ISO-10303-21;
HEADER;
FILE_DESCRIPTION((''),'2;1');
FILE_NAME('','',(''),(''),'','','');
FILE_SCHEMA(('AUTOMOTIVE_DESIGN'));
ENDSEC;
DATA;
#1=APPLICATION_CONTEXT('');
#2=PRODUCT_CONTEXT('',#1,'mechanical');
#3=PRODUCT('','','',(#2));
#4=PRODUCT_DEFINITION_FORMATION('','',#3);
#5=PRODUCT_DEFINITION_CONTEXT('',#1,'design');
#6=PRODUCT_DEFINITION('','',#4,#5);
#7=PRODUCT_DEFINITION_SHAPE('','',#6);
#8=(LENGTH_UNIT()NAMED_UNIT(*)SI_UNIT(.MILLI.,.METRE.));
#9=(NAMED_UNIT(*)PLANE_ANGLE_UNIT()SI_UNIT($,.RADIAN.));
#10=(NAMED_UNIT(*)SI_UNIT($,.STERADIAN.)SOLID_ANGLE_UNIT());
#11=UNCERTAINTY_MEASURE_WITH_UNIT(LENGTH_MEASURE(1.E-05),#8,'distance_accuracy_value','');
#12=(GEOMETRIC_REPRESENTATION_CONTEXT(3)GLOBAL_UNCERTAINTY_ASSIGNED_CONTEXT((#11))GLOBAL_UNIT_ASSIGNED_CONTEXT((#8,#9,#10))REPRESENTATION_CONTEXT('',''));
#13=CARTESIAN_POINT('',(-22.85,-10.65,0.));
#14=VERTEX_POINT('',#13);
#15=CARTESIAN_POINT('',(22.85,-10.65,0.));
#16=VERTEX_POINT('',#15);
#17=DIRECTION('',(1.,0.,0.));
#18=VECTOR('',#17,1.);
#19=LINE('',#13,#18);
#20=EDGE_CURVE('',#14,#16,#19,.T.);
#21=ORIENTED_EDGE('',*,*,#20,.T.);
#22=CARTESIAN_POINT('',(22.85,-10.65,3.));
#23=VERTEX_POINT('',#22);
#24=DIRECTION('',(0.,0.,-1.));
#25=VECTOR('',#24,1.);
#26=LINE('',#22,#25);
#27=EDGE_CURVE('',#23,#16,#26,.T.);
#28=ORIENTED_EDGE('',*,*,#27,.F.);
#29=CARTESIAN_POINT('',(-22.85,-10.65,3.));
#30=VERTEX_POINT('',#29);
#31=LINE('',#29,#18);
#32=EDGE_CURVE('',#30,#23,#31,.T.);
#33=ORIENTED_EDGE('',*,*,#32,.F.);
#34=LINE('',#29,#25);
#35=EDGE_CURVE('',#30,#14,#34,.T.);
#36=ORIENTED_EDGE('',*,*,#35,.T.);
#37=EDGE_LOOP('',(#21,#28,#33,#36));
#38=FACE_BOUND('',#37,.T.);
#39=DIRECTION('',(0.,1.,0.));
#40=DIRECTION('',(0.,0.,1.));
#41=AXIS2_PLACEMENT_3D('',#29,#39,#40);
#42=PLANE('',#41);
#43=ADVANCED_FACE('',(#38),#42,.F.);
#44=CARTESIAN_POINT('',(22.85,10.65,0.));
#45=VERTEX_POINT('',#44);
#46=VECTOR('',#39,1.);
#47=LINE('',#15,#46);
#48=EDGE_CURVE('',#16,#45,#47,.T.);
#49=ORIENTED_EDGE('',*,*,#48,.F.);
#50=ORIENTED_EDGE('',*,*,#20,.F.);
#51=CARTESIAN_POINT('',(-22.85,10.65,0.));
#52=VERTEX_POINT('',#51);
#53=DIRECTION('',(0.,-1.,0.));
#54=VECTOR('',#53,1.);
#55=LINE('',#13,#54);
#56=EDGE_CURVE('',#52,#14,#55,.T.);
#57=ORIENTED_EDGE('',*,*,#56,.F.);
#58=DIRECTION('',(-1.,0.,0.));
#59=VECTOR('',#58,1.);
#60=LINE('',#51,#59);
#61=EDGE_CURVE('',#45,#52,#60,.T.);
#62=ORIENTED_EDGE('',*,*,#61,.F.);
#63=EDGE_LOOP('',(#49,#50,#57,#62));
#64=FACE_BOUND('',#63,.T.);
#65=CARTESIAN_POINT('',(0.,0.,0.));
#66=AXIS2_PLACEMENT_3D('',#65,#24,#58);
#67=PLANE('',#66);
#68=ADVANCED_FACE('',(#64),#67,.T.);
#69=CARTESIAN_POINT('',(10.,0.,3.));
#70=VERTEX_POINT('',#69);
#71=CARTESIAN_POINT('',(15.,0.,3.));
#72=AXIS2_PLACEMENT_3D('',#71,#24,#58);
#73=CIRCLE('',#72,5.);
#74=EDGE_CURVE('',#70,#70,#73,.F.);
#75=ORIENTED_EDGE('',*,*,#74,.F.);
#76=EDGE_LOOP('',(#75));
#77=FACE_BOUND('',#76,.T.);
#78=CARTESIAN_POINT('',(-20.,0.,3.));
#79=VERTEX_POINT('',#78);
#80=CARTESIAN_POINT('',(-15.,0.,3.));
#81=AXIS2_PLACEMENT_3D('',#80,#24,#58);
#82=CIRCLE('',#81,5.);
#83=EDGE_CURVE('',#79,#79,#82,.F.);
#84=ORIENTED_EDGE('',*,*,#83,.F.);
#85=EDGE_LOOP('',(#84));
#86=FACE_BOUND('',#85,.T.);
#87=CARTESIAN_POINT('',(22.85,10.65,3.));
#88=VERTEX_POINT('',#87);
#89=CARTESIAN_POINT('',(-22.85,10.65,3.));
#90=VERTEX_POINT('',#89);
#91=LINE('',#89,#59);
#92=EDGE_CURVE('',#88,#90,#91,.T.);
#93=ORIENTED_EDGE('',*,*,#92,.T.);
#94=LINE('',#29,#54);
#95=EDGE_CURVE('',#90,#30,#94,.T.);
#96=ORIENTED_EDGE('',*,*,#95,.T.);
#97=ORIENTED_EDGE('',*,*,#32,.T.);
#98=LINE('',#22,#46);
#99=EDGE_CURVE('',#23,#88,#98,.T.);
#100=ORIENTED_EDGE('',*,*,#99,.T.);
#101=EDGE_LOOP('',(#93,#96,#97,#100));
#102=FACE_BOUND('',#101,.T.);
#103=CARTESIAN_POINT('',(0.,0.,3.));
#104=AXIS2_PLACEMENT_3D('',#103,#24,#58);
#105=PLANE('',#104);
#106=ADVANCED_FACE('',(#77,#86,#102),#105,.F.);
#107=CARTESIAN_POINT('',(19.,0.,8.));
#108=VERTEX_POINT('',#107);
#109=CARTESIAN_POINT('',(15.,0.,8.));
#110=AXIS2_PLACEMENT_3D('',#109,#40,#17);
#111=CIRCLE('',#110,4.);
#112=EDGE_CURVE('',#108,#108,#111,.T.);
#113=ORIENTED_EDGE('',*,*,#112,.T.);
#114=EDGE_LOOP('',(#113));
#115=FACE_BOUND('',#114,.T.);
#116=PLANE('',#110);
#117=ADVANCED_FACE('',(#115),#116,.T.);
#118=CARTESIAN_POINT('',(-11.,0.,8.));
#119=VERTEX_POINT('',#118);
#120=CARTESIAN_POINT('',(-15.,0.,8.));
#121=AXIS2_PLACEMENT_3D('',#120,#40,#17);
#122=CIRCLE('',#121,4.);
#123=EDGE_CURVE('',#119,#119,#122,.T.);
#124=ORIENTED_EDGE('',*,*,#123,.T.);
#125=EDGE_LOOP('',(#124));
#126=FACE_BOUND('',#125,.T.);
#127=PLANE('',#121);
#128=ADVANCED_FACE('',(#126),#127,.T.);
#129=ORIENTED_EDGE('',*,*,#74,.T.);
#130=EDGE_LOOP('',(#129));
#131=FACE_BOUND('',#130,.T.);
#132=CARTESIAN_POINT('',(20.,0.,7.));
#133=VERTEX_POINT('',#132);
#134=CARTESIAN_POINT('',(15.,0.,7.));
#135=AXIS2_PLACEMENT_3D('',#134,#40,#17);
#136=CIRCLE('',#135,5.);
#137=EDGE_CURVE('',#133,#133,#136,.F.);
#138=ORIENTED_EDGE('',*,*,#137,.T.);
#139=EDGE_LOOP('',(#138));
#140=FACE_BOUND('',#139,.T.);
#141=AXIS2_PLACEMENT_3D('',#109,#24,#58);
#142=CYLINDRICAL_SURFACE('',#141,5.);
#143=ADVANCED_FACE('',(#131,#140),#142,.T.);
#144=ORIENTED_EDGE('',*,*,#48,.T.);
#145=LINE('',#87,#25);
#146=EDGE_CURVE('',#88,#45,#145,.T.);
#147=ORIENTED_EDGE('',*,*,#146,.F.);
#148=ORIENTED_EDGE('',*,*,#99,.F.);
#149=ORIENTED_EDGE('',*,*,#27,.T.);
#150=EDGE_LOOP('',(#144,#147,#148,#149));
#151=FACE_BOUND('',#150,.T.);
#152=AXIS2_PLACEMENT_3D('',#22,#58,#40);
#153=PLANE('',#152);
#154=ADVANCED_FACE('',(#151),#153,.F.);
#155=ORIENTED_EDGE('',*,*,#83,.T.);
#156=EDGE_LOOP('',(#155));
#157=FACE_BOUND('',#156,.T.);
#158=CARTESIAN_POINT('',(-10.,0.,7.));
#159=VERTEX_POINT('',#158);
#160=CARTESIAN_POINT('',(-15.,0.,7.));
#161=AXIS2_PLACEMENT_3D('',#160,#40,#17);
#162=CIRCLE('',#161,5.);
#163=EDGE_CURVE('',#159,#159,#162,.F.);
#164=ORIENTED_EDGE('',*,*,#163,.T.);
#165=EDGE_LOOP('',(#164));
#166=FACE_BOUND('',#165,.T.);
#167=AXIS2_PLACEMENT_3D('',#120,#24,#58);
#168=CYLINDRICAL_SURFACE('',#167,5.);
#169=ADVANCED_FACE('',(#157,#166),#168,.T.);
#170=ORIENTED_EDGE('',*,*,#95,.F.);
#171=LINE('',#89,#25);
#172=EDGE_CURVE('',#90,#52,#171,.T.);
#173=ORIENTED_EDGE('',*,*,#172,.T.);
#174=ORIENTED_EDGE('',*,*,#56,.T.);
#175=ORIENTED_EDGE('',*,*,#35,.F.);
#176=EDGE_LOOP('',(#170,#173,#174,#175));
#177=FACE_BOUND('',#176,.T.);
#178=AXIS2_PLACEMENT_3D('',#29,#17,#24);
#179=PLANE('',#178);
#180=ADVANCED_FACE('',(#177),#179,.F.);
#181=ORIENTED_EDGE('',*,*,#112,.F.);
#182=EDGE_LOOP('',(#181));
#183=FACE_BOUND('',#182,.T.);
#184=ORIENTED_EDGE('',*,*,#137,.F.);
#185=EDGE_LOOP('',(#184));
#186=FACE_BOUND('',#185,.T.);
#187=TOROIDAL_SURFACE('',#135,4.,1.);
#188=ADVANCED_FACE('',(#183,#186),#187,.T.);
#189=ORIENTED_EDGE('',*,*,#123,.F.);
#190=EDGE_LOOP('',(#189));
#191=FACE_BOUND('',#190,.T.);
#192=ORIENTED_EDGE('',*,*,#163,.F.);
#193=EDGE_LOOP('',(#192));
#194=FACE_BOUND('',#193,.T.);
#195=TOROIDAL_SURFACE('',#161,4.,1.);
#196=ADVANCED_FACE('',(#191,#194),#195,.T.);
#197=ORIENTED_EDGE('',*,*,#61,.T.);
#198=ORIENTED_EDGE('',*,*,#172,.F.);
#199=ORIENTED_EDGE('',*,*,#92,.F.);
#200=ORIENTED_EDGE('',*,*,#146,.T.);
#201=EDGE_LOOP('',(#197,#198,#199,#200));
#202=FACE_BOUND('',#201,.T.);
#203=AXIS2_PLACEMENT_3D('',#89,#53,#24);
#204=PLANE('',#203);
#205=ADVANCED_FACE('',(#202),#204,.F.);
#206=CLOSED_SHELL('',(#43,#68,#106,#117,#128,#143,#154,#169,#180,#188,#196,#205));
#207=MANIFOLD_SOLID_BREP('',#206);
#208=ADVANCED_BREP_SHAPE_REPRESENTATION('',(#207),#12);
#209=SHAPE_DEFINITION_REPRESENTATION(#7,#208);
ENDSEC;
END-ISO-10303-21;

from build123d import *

# Parameters (mm, degrees)
SKETCH1_W           = 45.7
SKETCH1_H           = 21.3
BOSS_EXTRUDE1_DEPTH = 3
SKETCH2_R           = 5
BOSS_EXTRUDE2_DEPTH = 5
FILLET1_R           = 1


with BuildPart() as part:
    # Sketch1 → Boss-Extrude1 (new body)
    with BuildSketch(Plane.XY):
        Rectangle(SKETCH1_W, SKETCH1_H)
    extrude(amount=BOSS_EXTRUDE1_DEPTH)

    # Sketch2 → Boss-Extrude2 (add)
    with BuildSketch(Plane.XY.offset(3)):
        with Locations(Location((-15, 0, 0), (0, 0, 180))):
            Circle(SKETCH2_R)
        with Locations(Location((15, 0, 0), (0, 0, 180))):
            Circle(SKETCH2_R)
    extrude(amount=BOSS_EXTRUDE2_DEPTH)

    # Fillet1
    fillet1_edges = [part.edges().sort_by_distance(p)[0] for p in [
        (-10, 0, 8),
        (20, 0, 8),
    ]]
    fillet(fillet1_edges, radius=FILLET1_R)


solid = part.part
